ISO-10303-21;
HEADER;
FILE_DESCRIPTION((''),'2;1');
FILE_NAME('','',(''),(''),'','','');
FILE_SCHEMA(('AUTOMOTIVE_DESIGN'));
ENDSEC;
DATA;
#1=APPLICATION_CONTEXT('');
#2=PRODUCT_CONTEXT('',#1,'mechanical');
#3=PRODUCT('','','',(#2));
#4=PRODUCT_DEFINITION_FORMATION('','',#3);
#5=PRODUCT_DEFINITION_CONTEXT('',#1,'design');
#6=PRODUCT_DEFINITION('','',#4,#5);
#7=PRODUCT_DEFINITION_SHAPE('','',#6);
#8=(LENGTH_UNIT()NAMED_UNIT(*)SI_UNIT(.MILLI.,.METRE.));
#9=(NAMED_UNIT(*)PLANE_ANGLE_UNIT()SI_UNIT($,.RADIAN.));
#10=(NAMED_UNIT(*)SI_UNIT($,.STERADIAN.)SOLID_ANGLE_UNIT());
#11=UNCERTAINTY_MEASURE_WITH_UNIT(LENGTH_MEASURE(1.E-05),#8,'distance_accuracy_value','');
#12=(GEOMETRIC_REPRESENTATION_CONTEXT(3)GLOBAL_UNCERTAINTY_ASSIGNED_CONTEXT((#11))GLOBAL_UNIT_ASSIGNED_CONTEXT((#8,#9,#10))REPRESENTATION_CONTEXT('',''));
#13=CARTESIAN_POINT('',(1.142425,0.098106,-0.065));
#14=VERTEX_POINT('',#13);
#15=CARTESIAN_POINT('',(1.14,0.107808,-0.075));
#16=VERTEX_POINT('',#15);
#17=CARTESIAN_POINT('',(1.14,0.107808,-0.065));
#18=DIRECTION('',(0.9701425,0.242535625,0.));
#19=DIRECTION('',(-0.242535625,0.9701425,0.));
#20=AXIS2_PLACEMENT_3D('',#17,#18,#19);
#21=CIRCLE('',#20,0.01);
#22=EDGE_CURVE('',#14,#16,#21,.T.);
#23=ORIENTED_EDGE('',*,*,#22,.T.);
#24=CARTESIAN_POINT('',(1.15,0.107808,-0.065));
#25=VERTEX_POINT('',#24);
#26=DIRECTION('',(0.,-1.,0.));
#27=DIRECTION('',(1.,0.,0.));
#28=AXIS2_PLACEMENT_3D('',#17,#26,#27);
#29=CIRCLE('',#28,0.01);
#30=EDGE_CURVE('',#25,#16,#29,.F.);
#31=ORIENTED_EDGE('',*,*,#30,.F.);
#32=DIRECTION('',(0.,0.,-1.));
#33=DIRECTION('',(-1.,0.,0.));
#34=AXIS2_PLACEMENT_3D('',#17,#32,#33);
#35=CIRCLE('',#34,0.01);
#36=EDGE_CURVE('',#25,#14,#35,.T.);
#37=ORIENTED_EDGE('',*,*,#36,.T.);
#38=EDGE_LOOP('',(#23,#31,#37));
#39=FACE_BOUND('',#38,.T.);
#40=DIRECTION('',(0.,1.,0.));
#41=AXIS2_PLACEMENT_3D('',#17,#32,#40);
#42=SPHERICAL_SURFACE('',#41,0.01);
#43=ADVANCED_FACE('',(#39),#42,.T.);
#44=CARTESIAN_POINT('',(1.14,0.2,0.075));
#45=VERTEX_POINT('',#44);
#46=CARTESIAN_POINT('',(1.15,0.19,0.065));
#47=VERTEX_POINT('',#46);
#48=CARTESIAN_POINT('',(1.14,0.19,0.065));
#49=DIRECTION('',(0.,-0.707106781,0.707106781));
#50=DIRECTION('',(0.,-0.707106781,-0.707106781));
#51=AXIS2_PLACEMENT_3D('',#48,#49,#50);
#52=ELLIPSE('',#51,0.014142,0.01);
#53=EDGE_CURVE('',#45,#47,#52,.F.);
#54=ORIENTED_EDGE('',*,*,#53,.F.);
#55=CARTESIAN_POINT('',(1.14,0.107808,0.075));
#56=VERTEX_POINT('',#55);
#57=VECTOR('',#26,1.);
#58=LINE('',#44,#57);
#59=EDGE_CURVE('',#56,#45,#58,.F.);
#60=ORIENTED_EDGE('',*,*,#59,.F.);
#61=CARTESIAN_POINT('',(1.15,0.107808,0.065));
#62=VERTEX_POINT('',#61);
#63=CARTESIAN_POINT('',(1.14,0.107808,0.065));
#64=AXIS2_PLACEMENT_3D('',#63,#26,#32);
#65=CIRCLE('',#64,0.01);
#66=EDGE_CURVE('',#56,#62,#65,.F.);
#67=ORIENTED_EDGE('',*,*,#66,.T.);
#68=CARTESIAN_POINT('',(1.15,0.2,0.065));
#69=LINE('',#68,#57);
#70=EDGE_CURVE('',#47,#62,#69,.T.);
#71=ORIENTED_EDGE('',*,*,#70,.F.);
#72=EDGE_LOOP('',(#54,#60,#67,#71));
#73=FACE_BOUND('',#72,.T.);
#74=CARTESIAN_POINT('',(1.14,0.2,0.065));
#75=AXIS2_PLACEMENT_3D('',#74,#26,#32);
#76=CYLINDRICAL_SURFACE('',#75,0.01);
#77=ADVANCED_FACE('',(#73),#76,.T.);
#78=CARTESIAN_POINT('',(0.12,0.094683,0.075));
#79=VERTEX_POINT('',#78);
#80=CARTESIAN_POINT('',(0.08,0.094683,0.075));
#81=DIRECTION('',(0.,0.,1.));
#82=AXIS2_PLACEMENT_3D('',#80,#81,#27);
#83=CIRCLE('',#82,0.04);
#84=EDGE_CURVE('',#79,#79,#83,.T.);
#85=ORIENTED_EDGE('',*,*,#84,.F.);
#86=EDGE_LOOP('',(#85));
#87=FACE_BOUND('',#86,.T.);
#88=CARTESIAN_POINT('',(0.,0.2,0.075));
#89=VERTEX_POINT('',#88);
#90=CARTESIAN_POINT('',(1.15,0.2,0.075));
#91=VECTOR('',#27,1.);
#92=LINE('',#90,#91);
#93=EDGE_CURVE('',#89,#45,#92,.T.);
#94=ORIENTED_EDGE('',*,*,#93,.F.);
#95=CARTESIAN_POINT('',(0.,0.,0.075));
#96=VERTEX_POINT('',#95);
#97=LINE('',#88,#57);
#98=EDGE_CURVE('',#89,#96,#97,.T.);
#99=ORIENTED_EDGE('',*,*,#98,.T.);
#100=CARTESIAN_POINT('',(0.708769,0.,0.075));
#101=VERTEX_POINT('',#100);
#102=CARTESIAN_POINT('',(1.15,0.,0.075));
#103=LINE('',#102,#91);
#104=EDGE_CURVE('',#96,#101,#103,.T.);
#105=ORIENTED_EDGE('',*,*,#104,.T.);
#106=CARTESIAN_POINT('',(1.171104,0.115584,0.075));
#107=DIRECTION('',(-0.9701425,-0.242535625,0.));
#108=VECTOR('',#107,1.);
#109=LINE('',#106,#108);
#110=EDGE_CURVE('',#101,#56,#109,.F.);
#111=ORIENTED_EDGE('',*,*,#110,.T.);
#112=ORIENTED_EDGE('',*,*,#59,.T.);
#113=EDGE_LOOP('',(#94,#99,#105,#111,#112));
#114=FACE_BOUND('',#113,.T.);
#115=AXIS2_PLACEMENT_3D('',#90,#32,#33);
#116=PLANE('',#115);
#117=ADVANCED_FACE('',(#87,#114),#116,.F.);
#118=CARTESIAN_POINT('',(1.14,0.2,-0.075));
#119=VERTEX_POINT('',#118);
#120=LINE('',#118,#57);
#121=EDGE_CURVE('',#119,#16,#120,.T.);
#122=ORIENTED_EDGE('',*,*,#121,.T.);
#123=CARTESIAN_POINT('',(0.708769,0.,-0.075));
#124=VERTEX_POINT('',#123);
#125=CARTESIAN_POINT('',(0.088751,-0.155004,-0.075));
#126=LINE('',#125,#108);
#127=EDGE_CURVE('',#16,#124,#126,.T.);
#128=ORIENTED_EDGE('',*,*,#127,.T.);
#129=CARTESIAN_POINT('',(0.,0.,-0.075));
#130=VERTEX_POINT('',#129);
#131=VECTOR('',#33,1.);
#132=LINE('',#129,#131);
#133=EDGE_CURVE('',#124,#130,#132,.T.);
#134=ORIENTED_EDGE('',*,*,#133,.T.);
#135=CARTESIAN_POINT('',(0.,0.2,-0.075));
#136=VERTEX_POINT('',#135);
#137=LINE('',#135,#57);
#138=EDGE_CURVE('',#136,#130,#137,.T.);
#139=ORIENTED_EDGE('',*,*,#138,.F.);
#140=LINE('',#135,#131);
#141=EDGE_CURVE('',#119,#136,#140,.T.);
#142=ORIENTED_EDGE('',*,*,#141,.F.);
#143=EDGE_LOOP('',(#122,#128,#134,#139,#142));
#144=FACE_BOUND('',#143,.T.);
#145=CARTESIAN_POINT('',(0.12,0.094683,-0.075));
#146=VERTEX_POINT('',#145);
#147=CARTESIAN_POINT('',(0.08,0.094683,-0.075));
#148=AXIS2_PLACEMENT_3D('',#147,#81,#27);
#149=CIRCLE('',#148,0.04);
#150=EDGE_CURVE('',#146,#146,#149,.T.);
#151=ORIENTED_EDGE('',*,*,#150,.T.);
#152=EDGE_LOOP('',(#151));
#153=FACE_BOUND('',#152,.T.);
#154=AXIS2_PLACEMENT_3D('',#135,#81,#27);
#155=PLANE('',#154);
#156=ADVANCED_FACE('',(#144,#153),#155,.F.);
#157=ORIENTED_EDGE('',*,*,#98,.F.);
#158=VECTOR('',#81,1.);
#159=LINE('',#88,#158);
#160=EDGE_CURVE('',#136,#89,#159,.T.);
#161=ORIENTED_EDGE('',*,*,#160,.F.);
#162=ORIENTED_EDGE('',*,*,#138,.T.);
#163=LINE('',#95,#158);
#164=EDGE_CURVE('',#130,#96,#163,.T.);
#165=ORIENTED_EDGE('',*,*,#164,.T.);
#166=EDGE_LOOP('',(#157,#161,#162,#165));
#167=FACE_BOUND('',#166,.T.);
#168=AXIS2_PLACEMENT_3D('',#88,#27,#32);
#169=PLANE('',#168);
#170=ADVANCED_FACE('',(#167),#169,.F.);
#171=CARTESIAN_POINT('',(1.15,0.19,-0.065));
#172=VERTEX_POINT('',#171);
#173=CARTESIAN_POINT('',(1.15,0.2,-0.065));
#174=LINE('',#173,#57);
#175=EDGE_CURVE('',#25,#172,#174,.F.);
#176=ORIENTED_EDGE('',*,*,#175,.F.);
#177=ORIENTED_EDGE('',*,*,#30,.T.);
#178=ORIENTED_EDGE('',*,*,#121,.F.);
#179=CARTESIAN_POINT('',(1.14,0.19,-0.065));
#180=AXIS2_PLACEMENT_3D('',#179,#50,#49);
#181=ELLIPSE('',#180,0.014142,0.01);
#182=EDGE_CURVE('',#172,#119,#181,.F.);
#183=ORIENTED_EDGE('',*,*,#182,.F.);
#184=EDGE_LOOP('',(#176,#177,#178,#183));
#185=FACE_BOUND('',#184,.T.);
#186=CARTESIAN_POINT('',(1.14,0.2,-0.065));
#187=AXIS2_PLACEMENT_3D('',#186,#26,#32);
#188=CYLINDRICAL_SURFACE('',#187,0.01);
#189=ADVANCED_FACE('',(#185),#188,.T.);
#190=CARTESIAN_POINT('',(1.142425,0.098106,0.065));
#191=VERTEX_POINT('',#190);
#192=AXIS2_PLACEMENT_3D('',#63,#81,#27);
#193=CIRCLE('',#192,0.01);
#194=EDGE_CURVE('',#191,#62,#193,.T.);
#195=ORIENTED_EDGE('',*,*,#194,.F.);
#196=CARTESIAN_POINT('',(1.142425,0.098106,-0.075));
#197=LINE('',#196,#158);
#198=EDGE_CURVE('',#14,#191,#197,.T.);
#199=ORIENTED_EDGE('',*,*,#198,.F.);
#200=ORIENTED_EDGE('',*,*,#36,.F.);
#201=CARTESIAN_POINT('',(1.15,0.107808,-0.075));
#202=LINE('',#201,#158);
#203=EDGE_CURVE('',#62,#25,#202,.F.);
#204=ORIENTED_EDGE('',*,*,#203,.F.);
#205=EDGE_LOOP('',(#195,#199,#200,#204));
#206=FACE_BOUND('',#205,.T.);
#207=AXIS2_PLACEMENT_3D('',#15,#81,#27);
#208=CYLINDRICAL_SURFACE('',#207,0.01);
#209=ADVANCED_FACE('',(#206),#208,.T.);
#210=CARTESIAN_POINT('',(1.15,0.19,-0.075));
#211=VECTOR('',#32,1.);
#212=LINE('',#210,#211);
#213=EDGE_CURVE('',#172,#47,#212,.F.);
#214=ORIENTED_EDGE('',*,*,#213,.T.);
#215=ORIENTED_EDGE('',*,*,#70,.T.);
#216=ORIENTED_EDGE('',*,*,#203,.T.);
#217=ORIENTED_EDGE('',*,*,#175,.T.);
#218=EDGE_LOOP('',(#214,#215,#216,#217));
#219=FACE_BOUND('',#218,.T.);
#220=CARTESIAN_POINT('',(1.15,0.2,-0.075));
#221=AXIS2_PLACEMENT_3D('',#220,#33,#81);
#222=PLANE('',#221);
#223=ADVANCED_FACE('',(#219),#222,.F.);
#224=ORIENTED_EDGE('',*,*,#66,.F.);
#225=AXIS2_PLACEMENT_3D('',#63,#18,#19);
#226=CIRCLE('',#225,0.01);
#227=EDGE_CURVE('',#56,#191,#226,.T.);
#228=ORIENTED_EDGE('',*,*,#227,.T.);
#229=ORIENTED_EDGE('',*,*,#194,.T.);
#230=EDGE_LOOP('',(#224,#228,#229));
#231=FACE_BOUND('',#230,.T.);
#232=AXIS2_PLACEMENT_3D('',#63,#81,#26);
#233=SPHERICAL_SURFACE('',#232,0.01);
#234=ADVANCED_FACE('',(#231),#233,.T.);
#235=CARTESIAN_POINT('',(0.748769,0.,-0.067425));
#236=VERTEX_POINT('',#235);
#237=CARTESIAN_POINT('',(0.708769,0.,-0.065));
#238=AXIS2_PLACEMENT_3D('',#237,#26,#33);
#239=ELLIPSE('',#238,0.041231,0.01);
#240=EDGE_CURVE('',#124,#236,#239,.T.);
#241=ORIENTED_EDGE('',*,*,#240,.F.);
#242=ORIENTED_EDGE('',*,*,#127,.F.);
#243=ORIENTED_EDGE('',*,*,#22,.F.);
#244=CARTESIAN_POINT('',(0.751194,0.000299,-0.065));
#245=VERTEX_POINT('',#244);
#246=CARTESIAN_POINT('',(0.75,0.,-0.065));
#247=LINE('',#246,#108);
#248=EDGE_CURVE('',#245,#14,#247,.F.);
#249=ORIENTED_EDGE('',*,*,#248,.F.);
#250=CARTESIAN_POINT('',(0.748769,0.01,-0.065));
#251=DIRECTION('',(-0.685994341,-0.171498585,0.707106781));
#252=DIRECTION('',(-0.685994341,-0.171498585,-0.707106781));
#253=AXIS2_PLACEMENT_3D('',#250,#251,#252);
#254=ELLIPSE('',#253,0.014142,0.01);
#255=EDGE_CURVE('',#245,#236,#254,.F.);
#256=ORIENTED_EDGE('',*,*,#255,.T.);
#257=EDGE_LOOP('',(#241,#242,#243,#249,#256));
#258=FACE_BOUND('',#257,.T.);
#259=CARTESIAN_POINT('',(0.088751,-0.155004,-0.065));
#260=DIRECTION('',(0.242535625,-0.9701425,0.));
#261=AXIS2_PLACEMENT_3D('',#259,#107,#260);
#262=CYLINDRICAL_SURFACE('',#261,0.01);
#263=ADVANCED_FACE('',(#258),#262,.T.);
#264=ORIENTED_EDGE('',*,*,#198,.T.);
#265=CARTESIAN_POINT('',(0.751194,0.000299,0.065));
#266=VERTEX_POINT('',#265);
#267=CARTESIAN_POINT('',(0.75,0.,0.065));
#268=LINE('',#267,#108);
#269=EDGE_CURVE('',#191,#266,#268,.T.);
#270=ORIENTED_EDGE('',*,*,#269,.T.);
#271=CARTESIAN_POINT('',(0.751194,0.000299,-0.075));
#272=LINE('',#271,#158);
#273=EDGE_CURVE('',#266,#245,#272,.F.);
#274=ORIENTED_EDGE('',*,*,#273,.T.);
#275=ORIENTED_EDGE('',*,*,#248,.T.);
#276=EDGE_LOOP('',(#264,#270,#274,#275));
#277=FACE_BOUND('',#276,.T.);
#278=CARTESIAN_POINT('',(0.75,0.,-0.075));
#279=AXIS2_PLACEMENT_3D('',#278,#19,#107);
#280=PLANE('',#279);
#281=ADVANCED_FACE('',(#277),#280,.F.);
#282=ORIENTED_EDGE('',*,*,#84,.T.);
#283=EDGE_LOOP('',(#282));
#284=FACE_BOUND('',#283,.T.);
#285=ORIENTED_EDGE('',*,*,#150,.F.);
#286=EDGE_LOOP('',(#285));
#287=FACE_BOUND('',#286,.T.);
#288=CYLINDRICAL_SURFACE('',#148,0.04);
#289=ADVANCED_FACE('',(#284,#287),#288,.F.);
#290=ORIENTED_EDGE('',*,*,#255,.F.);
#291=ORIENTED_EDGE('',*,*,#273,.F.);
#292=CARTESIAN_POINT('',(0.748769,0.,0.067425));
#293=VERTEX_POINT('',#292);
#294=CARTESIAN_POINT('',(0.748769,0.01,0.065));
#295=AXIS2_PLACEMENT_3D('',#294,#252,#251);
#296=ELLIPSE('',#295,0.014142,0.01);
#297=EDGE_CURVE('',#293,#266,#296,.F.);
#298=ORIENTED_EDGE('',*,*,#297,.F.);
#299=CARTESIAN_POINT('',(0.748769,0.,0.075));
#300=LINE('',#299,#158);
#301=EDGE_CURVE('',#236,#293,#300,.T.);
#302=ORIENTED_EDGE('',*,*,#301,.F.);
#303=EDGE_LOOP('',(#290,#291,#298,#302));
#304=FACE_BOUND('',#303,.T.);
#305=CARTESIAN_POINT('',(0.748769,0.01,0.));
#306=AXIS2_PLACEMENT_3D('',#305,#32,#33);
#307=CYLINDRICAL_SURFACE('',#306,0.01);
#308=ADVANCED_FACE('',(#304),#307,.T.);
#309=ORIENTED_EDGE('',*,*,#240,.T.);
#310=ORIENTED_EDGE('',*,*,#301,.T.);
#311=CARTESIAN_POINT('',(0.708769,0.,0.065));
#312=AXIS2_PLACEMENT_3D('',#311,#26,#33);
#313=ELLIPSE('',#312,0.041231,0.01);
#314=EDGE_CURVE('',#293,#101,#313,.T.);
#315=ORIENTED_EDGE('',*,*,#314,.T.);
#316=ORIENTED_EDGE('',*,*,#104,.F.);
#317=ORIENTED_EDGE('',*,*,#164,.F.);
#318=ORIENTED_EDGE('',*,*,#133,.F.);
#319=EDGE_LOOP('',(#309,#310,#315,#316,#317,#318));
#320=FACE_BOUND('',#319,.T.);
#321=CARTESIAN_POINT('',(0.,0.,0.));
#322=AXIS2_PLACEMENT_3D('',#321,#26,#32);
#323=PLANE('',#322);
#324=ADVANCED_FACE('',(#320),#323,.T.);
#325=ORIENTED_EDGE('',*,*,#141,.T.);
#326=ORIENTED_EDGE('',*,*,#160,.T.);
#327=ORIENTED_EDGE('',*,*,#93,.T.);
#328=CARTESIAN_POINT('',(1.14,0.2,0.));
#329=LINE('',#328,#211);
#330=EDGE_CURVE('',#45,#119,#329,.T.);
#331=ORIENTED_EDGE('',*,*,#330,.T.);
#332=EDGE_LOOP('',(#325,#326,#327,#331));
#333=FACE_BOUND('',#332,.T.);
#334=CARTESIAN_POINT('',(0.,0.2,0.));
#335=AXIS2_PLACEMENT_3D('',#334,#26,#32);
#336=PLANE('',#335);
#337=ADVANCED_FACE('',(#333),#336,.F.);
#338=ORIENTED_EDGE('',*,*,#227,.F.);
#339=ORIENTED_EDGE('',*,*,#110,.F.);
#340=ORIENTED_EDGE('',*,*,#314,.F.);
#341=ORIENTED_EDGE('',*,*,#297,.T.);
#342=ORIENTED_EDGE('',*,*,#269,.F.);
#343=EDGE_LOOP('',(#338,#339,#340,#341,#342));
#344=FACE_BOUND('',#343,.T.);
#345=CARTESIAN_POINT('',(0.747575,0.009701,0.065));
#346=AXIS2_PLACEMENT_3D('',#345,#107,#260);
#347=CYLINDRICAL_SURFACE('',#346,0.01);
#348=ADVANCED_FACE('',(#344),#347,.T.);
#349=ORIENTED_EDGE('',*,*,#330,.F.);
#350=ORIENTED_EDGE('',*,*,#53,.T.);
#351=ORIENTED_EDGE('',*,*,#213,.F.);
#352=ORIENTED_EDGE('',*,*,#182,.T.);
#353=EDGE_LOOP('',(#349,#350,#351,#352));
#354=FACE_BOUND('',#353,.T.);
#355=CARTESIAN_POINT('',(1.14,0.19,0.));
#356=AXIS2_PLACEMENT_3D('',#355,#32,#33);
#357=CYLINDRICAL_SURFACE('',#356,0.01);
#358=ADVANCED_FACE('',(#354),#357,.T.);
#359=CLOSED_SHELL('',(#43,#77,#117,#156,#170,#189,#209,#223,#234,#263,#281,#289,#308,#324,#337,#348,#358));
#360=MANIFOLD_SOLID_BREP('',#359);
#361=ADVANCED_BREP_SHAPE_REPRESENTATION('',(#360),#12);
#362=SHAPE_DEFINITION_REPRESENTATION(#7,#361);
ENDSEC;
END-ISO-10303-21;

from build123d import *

# Parameters (mm, degrees)
CROQUIS1_W              = 1.15
CROQUIS1_H              = 0.15
SALIENTE_EXTRUIR2_DEPTH = 0.2
CORTAR_EXTRUIR1_DEPTH   = 2.17686023
REDONDEO1_R             = 0.01
CROQUIS3_R              = 0.04
CORTAR_EXTRUIR2_DEPTH   = 2.17686023


with BuildPart() as part:
    # Croquis1 → Saliente-Extruir2 (new body)
    with BuildSketch(Plane(origin=(0, 0, 0), x_dir=(1, 0, 0), z_dir=(0, 1, 0))):
        with Locations((0.575, 0)):
            Rectangle(CROQUIS1_W, CROQUIS1_H)
    extrude(amount=SALIENTE_EXTRUIR2_DEPTH)

    # Croquis2 → Cortar-Extruir1 (cut, through all)
    with BuildSketch(Plane.XY.offset(0.075)):
        Polygon((0.75, 0), (1.15, 0.1), (1.15, 0), align=None)
    extrude(amount=-CORTAR_EXTRUIR1_DEPTH, mode=Mode.SUBTRACT)

    # Redondeo1
    redondeo1_edges = [part.edges().sort_by_distance(p)[0] for p in [
        (1.15, 0.2, 0),
        (0.95, 0.05, -0.075),
        (0.75, 0, 0),
        (1.15, 0.1, 0),
        (0.95, 0.05, 0.075),
        (1.15, 0.15, -0.075),
        (1.15, 0.15, 0.075),
    ]]
    fillet(redondeo1_edges, radius=REDONDEO1_R)

    # Croquis3 → Cortar-Extruir2 (cut, through all)
    with BuildSketch(Plane.XY.offset(0.075)):
        with Locations((0.08, 0.094683269)):
            Circle(CROQUIS3_R)
    extrude(amount=-CORTAR_EXTRUIR2_DEPTH, mode=Mode.SUBTRACT)


solid = part.part
